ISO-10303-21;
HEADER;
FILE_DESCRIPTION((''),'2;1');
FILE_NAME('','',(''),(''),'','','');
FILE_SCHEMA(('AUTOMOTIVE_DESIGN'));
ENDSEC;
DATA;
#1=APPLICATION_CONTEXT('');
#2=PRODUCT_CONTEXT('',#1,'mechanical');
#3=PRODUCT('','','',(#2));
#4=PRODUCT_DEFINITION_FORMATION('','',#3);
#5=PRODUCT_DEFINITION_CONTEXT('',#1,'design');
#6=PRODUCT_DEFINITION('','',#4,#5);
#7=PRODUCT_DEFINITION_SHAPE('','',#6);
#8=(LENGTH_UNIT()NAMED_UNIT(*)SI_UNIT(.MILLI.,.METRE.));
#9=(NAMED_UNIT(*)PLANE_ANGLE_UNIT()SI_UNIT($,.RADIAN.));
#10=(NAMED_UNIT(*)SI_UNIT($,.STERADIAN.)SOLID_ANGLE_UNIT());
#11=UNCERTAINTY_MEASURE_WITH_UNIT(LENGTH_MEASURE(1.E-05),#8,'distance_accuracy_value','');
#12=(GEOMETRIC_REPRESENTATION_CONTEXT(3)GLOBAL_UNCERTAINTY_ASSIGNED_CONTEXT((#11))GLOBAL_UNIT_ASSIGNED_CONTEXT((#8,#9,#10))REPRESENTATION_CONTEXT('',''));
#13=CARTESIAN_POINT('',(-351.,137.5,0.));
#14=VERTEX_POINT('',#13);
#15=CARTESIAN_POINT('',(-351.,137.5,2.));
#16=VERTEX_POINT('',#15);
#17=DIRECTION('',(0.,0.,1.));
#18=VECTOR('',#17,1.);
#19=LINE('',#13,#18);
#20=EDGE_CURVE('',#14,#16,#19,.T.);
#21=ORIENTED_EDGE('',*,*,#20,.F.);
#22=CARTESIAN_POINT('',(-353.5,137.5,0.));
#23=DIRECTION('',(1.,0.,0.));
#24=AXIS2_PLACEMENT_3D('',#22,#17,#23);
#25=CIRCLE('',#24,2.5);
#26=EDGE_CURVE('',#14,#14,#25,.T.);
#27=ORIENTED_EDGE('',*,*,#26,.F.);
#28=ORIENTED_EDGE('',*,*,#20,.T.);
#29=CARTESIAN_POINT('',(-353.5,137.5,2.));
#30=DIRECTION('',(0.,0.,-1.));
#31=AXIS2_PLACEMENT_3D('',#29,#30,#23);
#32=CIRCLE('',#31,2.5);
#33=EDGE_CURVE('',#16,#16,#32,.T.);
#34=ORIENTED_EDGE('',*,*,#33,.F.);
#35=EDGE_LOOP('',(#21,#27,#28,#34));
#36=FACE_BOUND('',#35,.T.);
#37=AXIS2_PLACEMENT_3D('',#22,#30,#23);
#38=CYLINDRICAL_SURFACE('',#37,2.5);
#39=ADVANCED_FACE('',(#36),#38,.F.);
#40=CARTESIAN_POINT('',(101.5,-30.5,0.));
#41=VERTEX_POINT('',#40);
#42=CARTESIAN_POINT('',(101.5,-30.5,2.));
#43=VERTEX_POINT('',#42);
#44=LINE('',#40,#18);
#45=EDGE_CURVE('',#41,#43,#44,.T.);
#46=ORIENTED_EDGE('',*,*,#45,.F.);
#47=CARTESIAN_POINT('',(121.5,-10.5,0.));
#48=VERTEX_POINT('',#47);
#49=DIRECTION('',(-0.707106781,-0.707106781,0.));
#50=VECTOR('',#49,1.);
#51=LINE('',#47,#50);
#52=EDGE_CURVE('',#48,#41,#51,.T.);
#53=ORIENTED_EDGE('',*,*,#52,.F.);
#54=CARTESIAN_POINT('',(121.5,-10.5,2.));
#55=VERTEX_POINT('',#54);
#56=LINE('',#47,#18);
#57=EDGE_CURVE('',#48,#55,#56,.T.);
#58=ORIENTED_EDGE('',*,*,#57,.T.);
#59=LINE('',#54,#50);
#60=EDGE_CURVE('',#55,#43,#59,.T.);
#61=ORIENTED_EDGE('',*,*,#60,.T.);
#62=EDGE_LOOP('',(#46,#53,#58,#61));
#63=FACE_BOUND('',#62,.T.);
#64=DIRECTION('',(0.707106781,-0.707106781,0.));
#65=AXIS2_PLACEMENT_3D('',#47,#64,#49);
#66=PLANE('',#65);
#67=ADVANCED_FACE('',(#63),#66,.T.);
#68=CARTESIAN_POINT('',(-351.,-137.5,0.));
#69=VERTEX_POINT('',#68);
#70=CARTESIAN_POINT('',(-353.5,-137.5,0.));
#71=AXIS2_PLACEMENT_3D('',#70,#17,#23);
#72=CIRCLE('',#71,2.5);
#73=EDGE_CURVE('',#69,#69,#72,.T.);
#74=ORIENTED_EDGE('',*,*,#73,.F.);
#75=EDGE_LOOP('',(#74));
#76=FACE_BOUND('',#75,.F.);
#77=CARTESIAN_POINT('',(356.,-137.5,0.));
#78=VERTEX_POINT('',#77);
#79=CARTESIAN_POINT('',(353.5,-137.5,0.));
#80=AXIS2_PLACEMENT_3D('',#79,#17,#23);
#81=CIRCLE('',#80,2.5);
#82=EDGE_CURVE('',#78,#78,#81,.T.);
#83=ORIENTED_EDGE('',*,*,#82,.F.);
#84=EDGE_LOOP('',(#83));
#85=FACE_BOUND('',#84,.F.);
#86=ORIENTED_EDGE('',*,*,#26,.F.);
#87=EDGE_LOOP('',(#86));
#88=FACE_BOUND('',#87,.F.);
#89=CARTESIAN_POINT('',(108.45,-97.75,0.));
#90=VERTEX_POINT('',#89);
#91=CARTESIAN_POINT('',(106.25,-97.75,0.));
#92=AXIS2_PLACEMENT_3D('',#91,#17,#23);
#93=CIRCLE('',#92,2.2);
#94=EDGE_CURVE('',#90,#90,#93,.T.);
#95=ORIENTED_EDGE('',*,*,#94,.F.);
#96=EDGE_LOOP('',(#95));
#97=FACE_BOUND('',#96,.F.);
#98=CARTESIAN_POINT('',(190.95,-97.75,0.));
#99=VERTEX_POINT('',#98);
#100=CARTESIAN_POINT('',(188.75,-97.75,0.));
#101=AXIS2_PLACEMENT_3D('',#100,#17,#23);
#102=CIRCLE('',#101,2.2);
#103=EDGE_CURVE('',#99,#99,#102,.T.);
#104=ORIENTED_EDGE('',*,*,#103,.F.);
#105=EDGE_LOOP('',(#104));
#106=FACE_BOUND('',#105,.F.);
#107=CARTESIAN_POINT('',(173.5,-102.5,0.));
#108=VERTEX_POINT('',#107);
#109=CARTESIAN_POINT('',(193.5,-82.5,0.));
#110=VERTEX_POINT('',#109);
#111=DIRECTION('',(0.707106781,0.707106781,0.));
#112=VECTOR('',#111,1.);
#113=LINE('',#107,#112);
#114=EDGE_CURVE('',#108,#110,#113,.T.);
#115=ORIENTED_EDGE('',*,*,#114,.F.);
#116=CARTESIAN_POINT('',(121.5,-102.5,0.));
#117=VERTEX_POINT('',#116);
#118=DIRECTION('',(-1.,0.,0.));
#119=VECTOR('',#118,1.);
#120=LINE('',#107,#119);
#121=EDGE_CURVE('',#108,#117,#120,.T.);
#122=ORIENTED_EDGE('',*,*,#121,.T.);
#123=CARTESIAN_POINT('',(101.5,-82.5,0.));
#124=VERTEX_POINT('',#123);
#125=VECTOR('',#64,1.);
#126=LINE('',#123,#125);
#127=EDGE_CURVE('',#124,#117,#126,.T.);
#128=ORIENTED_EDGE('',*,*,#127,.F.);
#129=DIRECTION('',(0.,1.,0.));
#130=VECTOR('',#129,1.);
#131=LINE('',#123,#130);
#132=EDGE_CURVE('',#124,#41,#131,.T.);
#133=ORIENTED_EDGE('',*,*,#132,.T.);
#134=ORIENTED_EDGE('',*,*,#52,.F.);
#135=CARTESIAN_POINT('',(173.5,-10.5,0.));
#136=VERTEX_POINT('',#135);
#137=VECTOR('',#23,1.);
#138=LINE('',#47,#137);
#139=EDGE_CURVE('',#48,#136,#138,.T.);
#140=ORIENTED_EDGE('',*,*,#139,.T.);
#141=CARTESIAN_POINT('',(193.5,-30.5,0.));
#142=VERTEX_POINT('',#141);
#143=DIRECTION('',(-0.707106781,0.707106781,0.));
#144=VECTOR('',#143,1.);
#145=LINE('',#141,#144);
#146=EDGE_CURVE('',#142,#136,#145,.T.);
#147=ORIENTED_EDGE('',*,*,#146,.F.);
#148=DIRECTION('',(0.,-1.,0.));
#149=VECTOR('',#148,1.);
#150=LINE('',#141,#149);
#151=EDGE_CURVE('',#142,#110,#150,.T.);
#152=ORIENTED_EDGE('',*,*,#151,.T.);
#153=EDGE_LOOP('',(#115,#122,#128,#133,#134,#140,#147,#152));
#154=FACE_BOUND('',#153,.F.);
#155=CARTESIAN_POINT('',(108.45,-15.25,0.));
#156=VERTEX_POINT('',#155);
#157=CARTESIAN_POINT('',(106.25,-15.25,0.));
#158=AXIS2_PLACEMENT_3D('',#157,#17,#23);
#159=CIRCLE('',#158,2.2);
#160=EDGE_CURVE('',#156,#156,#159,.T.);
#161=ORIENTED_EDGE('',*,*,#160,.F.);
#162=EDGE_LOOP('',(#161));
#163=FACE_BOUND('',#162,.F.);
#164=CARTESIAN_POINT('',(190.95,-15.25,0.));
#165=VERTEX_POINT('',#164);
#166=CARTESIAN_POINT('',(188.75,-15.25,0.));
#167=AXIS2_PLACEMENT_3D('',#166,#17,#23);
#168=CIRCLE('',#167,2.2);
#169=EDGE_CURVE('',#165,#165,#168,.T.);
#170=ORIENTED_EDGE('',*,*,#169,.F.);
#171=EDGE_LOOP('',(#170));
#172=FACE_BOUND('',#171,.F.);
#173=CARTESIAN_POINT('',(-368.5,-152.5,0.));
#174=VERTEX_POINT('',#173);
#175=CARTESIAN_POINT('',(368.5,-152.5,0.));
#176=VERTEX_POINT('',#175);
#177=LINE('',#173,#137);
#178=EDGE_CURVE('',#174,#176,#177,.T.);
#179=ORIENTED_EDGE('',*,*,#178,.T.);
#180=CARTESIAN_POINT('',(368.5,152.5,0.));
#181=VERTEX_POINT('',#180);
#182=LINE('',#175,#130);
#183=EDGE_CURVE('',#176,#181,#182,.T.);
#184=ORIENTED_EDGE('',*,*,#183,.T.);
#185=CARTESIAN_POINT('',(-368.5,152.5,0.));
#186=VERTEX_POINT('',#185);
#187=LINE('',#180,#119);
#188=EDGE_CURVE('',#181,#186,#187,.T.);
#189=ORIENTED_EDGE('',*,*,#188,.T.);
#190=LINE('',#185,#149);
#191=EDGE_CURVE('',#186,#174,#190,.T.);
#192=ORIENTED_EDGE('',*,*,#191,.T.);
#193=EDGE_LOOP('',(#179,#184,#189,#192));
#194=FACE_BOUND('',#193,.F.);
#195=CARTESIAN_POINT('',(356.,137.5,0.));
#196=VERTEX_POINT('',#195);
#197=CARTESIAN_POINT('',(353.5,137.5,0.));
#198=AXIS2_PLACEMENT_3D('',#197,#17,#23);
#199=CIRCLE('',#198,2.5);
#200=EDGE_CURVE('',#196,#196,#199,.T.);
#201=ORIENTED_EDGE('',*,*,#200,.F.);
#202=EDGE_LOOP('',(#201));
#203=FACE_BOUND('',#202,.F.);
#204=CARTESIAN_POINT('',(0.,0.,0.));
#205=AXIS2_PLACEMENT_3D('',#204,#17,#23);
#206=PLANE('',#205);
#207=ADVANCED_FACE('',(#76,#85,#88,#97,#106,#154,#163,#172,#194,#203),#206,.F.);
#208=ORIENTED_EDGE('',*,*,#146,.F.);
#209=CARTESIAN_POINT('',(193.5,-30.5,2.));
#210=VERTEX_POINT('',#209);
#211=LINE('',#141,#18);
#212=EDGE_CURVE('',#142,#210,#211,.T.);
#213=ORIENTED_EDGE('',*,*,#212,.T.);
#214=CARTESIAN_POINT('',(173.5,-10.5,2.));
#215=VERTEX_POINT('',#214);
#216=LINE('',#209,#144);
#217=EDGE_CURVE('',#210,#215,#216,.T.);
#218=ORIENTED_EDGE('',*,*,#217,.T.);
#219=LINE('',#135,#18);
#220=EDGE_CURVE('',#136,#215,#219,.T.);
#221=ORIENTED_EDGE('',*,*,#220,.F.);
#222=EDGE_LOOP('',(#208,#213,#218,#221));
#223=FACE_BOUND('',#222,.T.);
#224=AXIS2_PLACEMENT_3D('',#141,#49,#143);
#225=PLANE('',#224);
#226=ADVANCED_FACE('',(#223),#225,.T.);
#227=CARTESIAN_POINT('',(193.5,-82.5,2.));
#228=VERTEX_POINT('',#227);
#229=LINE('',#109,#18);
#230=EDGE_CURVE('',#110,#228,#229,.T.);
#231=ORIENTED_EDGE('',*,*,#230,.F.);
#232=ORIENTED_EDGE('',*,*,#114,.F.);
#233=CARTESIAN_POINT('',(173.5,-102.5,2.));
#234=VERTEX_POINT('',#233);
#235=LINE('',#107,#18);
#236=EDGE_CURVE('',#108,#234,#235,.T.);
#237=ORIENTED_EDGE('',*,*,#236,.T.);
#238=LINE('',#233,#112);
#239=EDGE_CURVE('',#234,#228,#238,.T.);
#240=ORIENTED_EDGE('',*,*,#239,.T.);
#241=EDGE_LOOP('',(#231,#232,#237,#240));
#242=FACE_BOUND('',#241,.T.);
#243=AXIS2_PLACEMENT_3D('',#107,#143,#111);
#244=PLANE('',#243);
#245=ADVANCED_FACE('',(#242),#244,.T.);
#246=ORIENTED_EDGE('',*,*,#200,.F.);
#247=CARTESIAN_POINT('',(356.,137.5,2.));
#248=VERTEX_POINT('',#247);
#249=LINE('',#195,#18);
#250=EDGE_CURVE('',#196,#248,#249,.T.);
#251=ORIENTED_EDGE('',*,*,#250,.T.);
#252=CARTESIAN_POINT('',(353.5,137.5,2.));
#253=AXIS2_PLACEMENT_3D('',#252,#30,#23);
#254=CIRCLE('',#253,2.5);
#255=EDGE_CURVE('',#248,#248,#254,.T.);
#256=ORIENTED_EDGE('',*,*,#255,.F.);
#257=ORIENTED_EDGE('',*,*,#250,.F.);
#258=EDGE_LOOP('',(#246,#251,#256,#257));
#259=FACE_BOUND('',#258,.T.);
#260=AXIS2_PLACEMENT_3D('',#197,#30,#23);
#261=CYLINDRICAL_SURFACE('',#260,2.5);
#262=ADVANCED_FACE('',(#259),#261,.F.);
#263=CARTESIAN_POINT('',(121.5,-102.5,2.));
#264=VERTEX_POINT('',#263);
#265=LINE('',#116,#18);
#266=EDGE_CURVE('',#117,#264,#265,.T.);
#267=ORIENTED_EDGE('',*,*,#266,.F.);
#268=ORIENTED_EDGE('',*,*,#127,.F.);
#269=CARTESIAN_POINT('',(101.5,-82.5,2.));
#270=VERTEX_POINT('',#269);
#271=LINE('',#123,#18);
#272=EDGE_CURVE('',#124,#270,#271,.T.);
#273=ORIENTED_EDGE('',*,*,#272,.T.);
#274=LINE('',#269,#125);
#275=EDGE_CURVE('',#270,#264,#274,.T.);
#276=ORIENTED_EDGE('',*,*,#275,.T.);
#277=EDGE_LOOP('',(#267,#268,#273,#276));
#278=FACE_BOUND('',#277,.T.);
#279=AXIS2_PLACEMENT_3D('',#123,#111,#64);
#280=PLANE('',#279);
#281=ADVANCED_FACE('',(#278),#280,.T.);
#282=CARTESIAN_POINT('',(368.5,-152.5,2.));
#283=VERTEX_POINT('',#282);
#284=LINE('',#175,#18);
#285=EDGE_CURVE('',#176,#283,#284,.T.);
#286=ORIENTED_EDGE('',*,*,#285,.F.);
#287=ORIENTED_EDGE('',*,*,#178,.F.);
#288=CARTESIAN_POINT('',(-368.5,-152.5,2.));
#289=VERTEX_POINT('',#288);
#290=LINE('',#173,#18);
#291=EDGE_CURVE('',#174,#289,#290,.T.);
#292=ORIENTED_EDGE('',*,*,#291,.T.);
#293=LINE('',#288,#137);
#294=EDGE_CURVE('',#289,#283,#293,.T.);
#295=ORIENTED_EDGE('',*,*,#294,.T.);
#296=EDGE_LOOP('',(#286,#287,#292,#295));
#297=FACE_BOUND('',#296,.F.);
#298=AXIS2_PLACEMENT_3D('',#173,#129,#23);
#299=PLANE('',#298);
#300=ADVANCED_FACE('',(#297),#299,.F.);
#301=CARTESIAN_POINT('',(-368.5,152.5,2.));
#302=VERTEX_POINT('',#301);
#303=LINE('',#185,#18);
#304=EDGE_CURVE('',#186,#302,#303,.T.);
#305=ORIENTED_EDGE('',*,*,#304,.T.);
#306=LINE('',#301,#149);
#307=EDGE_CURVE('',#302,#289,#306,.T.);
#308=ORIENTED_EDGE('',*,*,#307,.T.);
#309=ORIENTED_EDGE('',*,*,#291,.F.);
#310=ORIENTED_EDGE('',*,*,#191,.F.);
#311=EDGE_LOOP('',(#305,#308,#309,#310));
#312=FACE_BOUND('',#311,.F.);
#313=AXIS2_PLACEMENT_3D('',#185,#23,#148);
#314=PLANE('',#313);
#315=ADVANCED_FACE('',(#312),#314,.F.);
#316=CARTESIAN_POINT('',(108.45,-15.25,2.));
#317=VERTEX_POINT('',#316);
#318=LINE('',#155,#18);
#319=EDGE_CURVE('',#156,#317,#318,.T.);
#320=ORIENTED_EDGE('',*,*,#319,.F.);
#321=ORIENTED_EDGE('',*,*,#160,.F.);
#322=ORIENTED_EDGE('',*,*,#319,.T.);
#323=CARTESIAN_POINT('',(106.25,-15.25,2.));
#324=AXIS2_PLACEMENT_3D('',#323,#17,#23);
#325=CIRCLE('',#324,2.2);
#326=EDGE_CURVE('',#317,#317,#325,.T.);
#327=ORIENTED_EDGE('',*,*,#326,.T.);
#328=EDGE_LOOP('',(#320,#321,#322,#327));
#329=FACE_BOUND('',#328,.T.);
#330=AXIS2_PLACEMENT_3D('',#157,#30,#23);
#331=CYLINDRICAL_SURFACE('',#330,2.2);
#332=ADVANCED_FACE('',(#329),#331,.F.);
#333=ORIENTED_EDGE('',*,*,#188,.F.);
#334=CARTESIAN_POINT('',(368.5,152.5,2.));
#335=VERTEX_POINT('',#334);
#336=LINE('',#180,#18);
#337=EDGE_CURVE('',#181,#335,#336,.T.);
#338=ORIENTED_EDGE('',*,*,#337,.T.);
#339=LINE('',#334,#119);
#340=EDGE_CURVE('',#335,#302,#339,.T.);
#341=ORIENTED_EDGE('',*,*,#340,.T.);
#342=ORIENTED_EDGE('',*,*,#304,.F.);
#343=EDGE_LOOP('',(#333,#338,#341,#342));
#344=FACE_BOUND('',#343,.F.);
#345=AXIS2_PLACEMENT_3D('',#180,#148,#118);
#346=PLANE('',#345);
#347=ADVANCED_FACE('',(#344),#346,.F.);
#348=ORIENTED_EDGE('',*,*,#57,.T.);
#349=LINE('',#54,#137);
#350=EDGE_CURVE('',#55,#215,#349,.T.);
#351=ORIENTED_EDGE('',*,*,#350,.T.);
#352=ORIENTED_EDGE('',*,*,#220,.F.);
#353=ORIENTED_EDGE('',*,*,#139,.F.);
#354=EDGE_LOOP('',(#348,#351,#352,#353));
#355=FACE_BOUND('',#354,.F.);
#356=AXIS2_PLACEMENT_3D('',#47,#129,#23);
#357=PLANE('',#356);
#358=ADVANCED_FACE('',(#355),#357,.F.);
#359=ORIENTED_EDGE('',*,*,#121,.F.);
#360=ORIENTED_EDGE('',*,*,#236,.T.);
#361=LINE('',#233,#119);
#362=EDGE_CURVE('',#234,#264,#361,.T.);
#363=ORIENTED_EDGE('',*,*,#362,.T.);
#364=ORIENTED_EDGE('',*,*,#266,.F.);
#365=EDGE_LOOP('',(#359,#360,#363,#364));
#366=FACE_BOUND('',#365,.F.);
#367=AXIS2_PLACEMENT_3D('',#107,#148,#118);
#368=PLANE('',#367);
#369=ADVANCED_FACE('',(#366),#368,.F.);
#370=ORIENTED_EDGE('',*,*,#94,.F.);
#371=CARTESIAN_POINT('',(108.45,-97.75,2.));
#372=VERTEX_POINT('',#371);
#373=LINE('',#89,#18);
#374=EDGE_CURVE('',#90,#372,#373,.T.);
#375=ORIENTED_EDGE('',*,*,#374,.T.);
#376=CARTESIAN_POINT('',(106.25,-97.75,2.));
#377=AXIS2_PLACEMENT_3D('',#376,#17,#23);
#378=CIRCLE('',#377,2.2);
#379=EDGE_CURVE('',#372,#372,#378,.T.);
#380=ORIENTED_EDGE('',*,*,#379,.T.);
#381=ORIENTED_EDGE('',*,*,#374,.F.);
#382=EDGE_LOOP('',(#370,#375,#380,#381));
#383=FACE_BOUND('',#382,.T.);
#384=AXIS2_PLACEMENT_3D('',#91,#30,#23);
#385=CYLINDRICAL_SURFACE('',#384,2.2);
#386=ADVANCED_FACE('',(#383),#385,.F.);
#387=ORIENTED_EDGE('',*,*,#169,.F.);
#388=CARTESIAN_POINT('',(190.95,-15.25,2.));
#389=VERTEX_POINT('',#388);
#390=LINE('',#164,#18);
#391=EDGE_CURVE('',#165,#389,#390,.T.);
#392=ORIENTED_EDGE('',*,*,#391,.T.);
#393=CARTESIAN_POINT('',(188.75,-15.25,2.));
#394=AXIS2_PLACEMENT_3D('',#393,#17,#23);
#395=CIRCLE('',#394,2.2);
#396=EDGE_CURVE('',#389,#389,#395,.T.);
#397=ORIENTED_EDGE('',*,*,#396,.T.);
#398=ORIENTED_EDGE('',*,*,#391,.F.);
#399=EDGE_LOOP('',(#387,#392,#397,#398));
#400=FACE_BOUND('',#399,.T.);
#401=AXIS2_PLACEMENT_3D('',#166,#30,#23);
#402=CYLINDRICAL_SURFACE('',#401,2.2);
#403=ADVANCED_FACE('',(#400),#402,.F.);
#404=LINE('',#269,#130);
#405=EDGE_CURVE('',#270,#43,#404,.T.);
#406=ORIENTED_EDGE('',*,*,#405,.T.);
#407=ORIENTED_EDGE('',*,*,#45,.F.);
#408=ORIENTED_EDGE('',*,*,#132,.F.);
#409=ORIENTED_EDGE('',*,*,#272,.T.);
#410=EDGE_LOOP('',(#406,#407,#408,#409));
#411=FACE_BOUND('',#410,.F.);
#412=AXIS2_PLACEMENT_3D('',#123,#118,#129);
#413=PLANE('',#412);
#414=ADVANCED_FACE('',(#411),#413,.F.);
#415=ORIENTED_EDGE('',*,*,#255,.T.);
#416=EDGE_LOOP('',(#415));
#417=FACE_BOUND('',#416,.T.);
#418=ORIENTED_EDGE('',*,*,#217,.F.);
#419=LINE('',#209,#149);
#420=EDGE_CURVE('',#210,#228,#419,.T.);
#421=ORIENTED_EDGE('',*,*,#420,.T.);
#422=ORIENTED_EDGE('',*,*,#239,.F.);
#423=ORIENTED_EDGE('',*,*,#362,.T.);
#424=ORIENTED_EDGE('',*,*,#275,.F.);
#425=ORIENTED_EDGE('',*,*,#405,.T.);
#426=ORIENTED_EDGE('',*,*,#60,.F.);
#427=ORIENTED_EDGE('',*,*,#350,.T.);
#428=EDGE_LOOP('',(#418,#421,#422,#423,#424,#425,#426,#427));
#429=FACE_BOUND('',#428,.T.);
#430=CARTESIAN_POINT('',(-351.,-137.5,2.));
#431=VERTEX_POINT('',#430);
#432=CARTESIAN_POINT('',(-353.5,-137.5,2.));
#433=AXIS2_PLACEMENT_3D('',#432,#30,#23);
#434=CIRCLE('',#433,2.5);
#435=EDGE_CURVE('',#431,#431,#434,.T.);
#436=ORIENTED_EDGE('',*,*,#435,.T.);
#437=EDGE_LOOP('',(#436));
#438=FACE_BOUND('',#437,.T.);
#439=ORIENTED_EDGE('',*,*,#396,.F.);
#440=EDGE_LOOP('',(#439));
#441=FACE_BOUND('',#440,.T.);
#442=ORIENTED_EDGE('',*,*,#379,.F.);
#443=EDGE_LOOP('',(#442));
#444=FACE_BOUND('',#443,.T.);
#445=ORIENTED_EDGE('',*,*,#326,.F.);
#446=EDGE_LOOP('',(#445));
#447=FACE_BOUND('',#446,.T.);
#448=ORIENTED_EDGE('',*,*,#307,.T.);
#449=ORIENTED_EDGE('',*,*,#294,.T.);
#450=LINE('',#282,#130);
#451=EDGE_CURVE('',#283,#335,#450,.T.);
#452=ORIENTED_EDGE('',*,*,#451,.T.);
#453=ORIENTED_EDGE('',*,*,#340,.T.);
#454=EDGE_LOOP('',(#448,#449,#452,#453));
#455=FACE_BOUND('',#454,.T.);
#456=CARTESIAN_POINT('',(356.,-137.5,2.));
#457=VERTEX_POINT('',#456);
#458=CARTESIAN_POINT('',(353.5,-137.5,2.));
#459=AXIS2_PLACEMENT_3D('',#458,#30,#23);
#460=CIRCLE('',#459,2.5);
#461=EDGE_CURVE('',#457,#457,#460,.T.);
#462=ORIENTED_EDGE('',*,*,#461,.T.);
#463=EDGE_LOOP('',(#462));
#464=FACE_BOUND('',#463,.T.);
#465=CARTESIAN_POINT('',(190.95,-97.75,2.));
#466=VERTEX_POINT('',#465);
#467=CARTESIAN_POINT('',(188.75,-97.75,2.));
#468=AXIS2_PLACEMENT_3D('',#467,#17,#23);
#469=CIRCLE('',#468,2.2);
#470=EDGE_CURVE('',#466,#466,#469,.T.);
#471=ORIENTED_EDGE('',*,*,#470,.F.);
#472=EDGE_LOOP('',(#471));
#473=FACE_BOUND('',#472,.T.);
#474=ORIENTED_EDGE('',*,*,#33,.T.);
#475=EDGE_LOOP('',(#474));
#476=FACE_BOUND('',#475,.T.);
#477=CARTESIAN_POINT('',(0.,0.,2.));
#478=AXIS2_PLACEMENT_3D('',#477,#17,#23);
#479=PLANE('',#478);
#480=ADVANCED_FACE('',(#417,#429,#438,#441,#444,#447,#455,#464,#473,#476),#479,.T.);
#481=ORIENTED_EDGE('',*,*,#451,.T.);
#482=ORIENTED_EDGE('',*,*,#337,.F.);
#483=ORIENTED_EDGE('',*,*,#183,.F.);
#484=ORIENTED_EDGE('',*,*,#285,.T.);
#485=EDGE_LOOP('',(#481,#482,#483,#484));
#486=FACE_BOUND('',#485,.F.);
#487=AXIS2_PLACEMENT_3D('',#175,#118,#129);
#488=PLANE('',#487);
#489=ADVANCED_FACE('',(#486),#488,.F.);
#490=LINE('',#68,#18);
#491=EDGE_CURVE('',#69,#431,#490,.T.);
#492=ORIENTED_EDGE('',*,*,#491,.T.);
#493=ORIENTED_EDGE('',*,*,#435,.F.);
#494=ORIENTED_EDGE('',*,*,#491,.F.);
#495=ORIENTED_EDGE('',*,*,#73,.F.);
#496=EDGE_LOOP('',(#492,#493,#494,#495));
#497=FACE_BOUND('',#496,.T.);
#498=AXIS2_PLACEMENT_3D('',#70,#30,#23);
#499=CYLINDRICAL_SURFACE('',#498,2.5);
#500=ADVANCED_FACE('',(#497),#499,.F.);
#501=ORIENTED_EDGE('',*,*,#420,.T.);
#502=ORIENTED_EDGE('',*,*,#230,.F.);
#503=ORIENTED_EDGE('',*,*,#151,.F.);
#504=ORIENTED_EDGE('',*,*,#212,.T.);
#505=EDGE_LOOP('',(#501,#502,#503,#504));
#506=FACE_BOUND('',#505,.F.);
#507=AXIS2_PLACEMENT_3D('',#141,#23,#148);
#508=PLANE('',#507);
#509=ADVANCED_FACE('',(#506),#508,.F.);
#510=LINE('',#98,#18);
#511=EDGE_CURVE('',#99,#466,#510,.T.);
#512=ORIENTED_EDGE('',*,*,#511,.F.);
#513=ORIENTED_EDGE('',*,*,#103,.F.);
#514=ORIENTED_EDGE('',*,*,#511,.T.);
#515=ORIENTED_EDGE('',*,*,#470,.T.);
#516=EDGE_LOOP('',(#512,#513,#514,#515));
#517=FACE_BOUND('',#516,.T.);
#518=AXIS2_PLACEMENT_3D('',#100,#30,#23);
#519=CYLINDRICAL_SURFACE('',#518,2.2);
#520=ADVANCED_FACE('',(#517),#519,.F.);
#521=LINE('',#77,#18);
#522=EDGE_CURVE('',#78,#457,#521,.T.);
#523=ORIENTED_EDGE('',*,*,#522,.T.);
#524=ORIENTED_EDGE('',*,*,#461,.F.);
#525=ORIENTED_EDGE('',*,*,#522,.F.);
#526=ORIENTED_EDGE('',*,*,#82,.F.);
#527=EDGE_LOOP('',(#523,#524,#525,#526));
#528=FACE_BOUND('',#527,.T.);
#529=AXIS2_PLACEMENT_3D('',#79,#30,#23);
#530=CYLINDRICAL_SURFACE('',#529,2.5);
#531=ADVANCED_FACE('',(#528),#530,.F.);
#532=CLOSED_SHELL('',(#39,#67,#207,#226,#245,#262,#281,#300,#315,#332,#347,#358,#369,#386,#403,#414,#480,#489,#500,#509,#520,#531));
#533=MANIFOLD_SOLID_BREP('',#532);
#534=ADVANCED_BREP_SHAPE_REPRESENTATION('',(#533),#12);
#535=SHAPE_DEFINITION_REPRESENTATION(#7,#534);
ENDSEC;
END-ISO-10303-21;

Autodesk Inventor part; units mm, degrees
ref_plane "YZ Plane" through (0, 0, 0) normal (1, 0, 0) x (0, 1, 0)
ref_plane "XZ Plane" through (0, 0, 0) normal (0, 1, 0) x (-1, 0, 0)
ref_plane "XY Plane" through (0, 0, 0) normal (0, 0, 1) x (1, 0, 0)
sketch "Esquisse1" plane through (0, 0, 0) normal (0, 0, 1) x (1, 0, 0)
  line L0 (-368.5, -152.5) -> (368.5, -152.5)
  line L1 (368.5, -152.5) -> (368.5, 152.5)
  line L2 (368.5, 152.5) -> (-368.5, 152.5)
  line L3 (-368.5, 152.5) -> (-368.5, -152.5)
  line L4 (-368.5, -152.5) -> (368.5, 152.5) construction
  line L5 (-356, -140) -> (356, -140)
  line L6 (356, -140) -> (356, 140)
  line L7 (356, 140) -> (-356, 140)
  line L8 (-356, 140) -> (-356, -140)
  line L9 (-356, -140) -> (356, 140) construction
  circle A0 centre (-353.5, 137.5) radius 2.5
  circle A1 centre (-353.5, -137.5) radius 2.5
  circle A2 centre (353.5, -137.5) radius 2.5
  circle A3 centre (353.5, 137.5) radius 2.5
  line L10 (121.5, -10.5) -> (173.5, -10.5)
  line L11 (193.5, -30.5) -> (193.5, -82.5)
  line L12 (173.5, -102.5) -> (121.5, -102.5)
  line L13 (101.5, -82.5) -> (101.5, -30.5)
  line L14 (101.5, -10.5) -> (193.5, -102.5) construction
  line L15 (193.5, -10.5) -> (101.5, -102.5) construction
  line L16 (121.5, -10.5) -> (101.5, -30.5)
  line L17 (101.5, -82.5) -> (121.5, -102.5)
  line L18 (173.5, -102.5) -> (193.5, -82.5)
  line L19 (193.5, -30.5) -> (173.5, -10.5)
  circle A4 centre (106.25, -15.25) radius 2.2
  circle A5 centre (188.75, -15.25) radius 2.2
  circle A6 centre (188.75, -97.75) radius 2.2
  circle A7 centre (106.25, -97.75) radius 2.2
  point P0 (0, 0)
  point P1 (-356, -137.5)
  point P2 (-353.5, -140)
  point P3 (353.5, -140)
  point P4 (356, -137.5)
  point P5 (356, 137.5)
  point P6 (353.5, 140)
  point P7 (-356, 137.5)
  point P8 (-353.5, 140)
  point P9 (147.5, -56.5)
  dimension "d0" = 737
  dimension "d1" = 305
  dimension "d2" = 12.5
  dimension "d3" = 12.5
  dimension "d4" = 5
  dimension "d7" = 5
  dimension "d8" = 5
  dimension "d9" = 5
  dimension "d36" = 92
  dimension "d37" = 92
  dimension "d38" = 50
  dimension "d39" = 175
  dimension "d48" = 20
  dimension "d49" = 20
  dimension "d50" = 20
  dimension "d51" = 20
  dimension "d52" = 20
  dimension "d53" = 20
  dimension "d54" = 20
  dimension "d55" = 20
  dimension "d57" = 4.4
  dimension "d58" = 4.4
  dimension "d59" = 4.4
  dimension "d60" = 4.4
  dimension "d61" = 4.75
  dimension "d62" = 4.75
extrude "Extrusion1" add sketch "Esquisse1" along normal blind 2 contours L3 L2 L1 L0 | L8 A1 L5 | A1 L8 A0 L7 A3 L6 A2 L5 | A2 L6 L5 | L8 L7 A0 | A3 L7 L6
properties part number "PlaqueVentilo"
